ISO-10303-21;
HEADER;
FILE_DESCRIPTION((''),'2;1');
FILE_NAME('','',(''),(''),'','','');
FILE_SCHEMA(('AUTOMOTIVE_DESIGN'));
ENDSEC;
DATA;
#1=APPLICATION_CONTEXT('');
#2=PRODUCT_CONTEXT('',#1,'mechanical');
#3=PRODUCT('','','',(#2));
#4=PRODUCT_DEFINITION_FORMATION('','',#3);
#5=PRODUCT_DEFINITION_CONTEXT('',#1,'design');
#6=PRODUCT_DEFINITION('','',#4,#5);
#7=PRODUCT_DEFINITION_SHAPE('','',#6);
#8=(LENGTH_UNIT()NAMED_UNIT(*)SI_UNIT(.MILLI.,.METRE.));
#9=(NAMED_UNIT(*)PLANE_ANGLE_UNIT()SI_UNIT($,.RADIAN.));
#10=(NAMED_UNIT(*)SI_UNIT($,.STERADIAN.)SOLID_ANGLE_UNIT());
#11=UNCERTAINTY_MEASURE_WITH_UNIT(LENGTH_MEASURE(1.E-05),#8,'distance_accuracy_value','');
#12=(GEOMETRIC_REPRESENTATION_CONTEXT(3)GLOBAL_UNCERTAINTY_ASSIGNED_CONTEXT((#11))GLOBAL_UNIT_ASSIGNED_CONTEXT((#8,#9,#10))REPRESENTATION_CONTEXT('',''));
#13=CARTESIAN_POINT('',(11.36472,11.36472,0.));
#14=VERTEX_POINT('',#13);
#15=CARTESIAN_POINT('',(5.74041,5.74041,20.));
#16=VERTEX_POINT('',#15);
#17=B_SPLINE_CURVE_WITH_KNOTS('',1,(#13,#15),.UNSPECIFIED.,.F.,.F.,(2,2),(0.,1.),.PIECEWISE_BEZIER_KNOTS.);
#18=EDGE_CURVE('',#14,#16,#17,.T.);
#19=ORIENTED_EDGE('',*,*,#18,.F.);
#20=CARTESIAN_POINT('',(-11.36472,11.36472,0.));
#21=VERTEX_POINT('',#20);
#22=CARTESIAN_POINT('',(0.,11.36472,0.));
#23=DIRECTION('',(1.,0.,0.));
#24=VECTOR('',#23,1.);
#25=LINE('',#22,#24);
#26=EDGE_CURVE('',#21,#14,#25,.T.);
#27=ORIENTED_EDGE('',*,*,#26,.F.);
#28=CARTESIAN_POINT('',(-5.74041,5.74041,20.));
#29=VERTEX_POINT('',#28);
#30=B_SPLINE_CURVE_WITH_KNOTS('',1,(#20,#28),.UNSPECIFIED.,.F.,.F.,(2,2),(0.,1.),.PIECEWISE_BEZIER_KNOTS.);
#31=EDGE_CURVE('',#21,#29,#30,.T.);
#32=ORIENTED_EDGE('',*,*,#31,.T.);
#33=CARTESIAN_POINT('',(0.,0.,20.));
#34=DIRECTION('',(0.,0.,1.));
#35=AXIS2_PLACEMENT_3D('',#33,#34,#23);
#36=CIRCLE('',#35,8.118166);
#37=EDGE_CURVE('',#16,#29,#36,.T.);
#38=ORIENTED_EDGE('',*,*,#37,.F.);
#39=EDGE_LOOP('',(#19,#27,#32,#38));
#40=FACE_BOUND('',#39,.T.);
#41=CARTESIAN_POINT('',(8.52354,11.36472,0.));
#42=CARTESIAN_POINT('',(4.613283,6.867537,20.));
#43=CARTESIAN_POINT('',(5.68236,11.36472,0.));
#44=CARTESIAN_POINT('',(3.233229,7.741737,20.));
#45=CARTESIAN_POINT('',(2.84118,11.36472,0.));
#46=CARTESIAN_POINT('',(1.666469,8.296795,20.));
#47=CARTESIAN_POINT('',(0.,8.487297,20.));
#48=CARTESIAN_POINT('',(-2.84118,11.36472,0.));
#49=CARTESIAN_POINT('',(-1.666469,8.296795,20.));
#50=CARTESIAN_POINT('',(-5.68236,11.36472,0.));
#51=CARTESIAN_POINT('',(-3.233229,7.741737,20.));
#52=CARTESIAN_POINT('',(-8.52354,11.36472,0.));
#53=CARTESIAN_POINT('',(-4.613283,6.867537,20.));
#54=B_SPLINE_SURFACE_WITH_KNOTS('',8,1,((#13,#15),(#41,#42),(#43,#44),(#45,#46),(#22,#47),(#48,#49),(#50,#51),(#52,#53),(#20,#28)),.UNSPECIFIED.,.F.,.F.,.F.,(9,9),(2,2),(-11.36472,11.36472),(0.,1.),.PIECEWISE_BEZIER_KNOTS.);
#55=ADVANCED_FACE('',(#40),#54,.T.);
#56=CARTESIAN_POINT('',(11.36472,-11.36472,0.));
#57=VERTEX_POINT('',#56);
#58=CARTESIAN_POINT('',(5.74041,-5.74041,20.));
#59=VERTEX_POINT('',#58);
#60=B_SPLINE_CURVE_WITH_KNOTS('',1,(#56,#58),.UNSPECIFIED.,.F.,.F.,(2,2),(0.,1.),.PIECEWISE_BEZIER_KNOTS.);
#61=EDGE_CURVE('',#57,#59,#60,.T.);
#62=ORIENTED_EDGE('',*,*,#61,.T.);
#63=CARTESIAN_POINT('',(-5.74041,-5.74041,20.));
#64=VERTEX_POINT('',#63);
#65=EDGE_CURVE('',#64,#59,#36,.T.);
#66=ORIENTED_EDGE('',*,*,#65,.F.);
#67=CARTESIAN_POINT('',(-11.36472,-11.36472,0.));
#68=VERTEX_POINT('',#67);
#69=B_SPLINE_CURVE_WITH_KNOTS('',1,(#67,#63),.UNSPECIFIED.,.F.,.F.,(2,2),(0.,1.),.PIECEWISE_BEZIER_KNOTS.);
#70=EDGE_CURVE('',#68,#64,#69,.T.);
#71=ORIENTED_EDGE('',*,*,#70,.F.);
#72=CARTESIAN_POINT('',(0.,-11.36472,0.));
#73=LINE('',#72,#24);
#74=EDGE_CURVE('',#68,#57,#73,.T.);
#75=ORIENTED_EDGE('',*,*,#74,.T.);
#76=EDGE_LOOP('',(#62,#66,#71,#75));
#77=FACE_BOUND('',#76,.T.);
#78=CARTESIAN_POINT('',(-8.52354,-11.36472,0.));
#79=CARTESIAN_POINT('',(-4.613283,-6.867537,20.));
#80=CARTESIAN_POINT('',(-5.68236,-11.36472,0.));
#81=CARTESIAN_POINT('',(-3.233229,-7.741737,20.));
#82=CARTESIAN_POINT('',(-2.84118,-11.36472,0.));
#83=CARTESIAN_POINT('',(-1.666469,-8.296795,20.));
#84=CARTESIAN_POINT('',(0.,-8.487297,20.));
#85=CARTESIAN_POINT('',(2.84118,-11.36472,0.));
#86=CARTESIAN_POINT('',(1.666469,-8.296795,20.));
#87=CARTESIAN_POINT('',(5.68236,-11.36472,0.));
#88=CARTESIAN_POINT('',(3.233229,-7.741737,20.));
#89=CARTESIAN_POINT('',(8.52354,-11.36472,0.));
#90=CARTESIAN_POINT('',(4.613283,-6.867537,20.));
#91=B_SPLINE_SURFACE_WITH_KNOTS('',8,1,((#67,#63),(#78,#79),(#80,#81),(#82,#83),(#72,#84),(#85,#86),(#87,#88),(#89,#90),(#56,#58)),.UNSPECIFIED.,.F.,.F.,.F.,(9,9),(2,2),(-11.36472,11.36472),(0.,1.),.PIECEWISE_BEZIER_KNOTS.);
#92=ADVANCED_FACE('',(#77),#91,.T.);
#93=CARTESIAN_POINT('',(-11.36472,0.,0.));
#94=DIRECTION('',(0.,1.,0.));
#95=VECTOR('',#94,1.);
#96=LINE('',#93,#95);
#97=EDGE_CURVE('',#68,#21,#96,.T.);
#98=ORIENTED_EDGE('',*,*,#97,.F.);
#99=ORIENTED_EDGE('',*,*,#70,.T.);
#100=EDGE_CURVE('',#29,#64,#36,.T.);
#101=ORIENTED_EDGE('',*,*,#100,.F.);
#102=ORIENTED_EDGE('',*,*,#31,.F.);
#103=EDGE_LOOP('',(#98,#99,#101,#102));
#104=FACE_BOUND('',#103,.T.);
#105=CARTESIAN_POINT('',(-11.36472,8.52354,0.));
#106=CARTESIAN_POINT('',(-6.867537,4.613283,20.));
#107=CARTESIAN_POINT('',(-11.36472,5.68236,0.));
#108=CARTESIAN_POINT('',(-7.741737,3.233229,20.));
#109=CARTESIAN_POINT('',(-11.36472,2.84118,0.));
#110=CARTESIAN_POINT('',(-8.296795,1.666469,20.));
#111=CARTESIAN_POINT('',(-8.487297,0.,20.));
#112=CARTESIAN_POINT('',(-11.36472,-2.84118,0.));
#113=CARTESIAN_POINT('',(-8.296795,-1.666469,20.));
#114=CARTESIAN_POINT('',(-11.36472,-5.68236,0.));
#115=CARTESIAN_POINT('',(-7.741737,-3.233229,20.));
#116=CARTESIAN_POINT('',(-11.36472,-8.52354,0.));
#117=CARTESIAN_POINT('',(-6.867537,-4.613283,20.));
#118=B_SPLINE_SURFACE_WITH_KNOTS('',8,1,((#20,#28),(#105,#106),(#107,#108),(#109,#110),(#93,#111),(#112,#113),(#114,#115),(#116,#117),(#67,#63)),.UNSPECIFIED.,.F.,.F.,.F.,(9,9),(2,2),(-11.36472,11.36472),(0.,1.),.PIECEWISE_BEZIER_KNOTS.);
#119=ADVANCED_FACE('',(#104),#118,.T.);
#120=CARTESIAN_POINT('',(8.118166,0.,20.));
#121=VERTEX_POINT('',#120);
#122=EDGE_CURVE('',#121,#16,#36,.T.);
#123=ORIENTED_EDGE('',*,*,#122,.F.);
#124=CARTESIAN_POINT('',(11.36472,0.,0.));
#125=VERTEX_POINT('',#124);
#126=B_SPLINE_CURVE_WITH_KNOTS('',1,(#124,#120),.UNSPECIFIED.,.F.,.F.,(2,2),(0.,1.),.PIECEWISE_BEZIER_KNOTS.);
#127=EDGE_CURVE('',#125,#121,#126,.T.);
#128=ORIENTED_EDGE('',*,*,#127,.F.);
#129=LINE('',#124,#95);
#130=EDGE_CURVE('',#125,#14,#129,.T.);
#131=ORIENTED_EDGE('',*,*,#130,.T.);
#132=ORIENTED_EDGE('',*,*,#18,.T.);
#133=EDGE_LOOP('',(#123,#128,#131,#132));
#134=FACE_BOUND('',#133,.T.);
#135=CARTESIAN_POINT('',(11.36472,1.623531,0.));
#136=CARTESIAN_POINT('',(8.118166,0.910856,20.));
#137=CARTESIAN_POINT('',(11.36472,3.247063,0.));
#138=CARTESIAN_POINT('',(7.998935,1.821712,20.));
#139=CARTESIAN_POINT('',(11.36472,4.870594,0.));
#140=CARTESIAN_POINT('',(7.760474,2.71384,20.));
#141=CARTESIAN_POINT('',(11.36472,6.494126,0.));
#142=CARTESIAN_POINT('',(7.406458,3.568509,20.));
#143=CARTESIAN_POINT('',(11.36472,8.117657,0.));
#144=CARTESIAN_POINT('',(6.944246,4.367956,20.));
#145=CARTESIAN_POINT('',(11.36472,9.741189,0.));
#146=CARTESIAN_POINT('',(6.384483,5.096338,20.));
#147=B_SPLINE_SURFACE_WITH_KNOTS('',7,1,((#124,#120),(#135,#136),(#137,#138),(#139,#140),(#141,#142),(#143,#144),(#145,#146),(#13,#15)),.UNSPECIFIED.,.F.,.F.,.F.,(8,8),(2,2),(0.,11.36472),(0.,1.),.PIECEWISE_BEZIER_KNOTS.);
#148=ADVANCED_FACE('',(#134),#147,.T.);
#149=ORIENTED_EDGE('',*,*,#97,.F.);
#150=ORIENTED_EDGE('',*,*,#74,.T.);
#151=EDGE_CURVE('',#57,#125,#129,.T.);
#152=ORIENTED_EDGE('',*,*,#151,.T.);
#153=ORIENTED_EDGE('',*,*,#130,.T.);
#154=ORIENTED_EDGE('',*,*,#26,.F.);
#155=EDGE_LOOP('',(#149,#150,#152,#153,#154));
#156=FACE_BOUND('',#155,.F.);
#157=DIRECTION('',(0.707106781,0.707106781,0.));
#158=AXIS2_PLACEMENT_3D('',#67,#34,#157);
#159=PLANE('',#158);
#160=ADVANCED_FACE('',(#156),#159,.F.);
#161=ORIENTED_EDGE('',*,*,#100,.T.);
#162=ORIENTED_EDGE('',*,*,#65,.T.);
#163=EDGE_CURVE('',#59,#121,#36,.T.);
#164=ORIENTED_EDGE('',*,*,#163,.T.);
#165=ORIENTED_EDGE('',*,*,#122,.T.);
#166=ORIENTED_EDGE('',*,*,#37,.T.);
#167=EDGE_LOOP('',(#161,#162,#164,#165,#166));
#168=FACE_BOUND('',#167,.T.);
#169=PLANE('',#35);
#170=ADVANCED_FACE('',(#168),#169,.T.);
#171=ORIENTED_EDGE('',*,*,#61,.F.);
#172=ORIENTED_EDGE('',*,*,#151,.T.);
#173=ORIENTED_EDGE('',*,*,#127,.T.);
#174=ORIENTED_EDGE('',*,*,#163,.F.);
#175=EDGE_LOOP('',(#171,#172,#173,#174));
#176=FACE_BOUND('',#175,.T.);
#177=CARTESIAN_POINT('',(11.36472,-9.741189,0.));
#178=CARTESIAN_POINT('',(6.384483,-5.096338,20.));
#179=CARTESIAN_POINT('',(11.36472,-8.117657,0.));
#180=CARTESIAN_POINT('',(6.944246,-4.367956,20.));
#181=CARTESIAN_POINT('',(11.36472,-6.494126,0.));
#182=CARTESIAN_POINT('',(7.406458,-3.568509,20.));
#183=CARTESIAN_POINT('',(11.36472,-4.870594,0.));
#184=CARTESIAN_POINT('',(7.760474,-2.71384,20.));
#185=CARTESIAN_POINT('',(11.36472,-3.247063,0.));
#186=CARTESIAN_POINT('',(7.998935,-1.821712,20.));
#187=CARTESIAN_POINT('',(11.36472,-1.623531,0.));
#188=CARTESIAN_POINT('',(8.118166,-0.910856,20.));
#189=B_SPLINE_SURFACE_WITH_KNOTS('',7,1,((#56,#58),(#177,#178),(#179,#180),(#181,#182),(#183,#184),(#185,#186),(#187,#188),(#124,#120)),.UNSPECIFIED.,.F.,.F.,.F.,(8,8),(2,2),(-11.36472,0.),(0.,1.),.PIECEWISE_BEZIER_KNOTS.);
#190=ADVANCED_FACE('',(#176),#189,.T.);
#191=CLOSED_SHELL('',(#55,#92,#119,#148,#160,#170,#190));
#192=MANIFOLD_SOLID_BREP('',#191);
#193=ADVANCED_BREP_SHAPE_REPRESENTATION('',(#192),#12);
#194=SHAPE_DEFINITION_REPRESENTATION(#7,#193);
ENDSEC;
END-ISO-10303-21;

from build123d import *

# Parameters (mm, degrees)
SKETCH_W    = 22.72944
SKETCH_H    = 22.72944
SKETCH001_R = 8.118166


with BuildPart() as part:
    # Sketch → AdditiveLoft section 0
    with BuildSketch(Plane.XY):
        Rectangle(SKETCH_W, SKETCH_H)
    # Sketch001 → AdditiveLoft section 1
    with BuildSketch(Plane.XY.offset(20)):
        Circle(SKETCH001_R)
    loft()


solid = part.part
